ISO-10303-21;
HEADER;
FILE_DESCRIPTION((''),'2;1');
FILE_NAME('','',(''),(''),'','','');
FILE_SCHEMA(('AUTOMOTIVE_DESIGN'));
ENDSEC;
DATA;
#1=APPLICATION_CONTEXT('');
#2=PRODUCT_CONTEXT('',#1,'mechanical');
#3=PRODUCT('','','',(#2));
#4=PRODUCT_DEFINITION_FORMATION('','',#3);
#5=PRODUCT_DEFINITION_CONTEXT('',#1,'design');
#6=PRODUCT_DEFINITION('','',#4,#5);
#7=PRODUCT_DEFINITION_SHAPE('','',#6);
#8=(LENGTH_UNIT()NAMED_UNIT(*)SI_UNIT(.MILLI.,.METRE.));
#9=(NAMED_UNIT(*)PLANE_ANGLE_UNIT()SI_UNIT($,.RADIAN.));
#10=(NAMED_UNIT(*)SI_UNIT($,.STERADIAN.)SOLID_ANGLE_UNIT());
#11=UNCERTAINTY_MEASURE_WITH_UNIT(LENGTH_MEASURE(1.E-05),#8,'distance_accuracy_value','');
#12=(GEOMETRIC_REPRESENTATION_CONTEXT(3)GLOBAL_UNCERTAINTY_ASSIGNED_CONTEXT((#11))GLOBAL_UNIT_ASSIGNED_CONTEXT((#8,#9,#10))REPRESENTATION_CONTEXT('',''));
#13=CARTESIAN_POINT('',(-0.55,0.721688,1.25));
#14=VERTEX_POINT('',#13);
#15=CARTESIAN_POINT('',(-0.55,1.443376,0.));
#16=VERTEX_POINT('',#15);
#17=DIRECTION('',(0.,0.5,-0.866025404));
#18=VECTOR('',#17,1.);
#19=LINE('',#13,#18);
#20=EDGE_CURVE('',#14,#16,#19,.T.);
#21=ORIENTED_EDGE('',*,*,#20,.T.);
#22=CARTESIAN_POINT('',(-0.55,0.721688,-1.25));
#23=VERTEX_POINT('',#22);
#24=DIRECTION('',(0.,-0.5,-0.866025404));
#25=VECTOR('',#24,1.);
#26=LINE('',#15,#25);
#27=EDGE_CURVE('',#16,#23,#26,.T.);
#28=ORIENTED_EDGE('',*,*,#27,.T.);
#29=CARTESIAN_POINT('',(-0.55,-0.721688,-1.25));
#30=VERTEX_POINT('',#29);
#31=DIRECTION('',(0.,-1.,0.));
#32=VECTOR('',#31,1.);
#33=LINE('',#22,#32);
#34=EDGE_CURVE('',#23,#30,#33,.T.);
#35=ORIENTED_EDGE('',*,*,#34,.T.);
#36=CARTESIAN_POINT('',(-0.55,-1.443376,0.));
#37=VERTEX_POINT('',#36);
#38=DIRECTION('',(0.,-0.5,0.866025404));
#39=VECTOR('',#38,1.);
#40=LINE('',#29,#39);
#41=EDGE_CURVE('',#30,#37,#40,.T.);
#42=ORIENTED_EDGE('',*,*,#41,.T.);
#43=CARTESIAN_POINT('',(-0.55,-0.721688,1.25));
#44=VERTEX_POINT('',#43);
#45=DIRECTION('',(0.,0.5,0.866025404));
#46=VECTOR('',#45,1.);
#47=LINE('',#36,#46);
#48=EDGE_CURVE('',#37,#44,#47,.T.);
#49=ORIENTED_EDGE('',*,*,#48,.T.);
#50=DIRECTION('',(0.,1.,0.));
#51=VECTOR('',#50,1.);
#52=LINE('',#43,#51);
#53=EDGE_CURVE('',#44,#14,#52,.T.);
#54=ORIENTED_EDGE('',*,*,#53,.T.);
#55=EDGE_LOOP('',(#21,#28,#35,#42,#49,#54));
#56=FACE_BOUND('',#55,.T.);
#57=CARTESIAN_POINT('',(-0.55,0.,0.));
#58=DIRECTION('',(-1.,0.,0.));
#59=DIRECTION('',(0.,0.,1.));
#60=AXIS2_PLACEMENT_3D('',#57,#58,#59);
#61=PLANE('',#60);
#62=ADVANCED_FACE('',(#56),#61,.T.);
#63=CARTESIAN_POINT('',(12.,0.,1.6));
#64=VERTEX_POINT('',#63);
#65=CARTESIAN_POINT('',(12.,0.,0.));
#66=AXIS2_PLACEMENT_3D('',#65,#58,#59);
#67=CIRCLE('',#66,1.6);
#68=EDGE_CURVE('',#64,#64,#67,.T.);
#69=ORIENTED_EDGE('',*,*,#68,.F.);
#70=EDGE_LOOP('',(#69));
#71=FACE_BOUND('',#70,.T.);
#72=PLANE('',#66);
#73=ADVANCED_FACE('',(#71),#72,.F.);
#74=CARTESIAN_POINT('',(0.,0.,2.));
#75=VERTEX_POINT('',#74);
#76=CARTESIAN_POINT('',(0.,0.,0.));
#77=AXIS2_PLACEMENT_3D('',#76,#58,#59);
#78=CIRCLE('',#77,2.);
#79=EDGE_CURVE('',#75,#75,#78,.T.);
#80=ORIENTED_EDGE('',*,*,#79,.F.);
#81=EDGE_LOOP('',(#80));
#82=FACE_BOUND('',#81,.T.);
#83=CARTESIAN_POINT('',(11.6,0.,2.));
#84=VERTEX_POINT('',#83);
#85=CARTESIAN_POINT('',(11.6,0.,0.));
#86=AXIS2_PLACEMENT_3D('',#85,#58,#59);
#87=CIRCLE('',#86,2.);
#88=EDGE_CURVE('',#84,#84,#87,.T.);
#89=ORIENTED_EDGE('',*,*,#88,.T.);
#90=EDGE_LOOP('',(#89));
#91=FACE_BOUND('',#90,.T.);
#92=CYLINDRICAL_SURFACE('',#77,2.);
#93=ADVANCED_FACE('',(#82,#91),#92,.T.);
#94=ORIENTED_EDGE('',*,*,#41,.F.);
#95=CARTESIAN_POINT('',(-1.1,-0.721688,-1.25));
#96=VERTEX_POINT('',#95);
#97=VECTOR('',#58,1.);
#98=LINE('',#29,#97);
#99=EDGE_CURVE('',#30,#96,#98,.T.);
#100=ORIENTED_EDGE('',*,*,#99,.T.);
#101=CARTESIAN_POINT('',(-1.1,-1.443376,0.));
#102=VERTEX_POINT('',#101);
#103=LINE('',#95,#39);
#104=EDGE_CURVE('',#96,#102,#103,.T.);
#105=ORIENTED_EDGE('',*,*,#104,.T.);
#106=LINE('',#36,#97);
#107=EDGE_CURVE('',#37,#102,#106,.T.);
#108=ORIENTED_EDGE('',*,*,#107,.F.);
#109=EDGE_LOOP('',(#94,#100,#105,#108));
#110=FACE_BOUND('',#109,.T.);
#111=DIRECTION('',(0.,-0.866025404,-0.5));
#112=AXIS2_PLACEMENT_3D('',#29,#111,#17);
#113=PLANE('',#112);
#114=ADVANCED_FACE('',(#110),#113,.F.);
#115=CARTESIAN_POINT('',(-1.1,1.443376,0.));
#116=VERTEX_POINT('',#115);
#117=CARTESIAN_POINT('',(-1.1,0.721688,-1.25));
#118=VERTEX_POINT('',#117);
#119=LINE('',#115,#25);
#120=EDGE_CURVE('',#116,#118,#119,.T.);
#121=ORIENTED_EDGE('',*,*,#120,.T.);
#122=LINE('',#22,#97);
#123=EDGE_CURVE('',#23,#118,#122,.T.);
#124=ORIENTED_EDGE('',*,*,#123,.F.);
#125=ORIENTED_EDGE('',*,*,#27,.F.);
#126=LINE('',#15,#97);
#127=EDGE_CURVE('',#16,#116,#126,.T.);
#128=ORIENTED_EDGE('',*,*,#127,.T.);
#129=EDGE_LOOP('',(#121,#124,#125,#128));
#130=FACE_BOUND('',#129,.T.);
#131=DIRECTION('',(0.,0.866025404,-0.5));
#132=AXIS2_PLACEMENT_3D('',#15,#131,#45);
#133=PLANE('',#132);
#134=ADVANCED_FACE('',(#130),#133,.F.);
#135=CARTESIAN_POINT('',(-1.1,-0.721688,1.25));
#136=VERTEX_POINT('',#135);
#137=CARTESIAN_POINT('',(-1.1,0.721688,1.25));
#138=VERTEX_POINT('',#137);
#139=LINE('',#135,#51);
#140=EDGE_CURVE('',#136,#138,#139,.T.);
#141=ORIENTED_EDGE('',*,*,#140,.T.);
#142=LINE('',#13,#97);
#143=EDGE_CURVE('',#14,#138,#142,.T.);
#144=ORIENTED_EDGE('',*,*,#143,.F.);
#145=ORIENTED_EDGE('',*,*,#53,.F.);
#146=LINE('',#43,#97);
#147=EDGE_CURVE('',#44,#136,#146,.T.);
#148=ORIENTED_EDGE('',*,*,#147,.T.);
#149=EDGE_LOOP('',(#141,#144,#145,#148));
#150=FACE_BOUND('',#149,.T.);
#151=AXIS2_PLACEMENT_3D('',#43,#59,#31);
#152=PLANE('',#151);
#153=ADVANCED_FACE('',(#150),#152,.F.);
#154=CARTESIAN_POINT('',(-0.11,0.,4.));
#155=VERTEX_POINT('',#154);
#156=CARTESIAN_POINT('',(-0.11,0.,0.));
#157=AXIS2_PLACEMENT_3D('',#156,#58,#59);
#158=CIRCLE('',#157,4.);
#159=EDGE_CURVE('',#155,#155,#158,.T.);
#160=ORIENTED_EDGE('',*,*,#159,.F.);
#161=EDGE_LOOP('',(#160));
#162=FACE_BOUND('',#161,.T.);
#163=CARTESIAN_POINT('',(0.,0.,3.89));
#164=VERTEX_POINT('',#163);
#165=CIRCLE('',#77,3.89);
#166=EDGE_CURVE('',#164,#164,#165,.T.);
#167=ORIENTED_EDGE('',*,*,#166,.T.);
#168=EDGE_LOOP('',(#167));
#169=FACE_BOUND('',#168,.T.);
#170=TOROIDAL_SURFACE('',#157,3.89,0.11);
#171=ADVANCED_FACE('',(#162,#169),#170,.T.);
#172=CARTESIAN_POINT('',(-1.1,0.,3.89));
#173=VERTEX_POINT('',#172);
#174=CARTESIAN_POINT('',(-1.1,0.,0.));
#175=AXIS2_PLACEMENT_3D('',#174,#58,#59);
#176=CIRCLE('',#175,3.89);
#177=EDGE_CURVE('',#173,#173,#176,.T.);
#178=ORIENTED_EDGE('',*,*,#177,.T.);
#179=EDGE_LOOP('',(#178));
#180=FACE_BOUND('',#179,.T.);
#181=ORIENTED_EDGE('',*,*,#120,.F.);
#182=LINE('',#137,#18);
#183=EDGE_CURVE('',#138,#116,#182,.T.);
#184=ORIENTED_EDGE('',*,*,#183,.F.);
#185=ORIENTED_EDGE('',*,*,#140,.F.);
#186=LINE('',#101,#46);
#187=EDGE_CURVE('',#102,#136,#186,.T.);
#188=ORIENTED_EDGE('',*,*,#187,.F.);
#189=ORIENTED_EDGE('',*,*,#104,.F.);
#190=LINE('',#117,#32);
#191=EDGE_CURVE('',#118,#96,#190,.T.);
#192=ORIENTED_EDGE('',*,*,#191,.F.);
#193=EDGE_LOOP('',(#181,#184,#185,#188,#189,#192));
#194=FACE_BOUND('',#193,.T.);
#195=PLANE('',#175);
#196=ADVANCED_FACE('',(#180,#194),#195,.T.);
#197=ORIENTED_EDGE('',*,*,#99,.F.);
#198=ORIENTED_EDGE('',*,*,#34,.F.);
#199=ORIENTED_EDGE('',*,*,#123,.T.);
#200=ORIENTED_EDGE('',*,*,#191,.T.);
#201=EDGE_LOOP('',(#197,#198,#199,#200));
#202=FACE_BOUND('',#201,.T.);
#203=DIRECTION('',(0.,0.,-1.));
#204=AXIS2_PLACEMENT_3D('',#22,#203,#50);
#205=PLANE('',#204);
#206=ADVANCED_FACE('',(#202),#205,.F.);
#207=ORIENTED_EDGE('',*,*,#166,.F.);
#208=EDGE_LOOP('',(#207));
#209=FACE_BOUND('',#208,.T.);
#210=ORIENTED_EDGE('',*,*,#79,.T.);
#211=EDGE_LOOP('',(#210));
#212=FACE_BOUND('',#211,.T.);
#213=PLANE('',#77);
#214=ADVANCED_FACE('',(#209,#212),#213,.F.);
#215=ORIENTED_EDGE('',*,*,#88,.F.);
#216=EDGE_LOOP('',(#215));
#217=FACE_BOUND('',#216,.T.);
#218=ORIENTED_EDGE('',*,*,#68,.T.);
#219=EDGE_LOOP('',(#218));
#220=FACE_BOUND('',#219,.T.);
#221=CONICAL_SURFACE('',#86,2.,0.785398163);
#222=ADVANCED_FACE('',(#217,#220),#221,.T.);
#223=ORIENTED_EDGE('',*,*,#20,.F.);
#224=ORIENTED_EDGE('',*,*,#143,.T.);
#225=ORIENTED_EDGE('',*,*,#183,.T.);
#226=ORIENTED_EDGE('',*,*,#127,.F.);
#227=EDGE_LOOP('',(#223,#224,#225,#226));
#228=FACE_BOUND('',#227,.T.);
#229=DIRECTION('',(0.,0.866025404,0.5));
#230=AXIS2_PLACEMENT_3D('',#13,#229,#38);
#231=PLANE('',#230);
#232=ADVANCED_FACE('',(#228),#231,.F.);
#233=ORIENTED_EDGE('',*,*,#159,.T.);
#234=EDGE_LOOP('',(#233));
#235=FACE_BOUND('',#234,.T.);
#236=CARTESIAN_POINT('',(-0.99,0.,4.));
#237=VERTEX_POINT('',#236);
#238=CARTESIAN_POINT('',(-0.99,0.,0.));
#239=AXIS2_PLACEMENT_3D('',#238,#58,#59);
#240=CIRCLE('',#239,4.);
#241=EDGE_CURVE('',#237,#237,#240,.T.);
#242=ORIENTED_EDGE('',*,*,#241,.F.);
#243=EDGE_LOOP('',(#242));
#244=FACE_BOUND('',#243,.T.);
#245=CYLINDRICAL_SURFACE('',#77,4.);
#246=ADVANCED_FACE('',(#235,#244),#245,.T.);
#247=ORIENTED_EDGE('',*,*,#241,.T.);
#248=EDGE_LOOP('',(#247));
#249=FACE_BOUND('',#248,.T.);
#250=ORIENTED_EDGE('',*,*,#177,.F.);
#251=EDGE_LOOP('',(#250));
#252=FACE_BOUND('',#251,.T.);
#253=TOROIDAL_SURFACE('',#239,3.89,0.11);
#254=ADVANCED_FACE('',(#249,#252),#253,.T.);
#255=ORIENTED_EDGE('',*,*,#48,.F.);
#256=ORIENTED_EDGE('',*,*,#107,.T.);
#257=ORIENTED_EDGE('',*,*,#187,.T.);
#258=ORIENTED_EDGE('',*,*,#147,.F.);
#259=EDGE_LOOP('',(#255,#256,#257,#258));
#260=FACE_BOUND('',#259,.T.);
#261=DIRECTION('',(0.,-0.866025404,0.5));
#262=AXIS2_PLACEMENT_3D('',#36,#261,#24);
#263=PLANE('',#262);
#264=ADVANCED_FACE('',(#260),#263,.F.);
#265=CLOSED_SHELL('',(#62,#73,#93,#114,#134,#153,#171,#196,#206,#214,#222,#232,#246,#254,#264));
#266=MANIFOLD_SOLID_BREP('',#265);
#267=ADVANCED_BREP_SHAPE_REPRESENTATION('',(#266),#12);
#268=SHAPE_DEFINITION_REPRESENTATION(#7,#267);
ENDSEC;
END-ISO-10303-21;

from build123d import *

# Parameters (mm, degrees)
CUT_EXTRUDE_1_DEPTH = 0.55


with BuildPart() as part:
    # 草图1 → 旋转1 (revolve)
    with BuildSketch(Plane.XY, mode=Mode.PRIVATE) as revolve_1_sk:
        Polygon((12, 1.6), (11.6, 2), (0, 2), (0, 0), (12, 0), align=None)
        with BuildLine():
            Line((-0.11, 4), (-0.99, 4))
            ThreePointArc((-0.99, 4), (-1.067781746, 3.967781746), (-1.1, 3.89))
            Line((-1.1, 3.89), (-1.1, 0))
            Line((-1.1, 0), (0, 0))
            Line((0, 0), (0, 3.89))
            ThreePointArc((0, 3.89), (-0.032218254, 3.967781746), (-0.11, 4))
        make_face()
    revolve(revolve_1_sk.sketch.rotate(Axis((0, 0, 0), (1, 0, 0)), 90), axis=Axis((0, 0, 0), (1, 0, 0)))

    # 草图2 → 切除-拉伸1 (cut)
    with BuildSketch(Plane.ZY.offset(1.1)):
        Polygon((1.25, -0.721687836), (1.25, 0.721687836), (0, 1.443375673), (-1.25, 0.721687836), (-1.25, -0.721687836), (0, -1.443375673), align=None)
    extrude(amount=-CUT_EXTRUDE_1_DEPTH, mode=Mode.SUBTRACT)


solid = part.part
